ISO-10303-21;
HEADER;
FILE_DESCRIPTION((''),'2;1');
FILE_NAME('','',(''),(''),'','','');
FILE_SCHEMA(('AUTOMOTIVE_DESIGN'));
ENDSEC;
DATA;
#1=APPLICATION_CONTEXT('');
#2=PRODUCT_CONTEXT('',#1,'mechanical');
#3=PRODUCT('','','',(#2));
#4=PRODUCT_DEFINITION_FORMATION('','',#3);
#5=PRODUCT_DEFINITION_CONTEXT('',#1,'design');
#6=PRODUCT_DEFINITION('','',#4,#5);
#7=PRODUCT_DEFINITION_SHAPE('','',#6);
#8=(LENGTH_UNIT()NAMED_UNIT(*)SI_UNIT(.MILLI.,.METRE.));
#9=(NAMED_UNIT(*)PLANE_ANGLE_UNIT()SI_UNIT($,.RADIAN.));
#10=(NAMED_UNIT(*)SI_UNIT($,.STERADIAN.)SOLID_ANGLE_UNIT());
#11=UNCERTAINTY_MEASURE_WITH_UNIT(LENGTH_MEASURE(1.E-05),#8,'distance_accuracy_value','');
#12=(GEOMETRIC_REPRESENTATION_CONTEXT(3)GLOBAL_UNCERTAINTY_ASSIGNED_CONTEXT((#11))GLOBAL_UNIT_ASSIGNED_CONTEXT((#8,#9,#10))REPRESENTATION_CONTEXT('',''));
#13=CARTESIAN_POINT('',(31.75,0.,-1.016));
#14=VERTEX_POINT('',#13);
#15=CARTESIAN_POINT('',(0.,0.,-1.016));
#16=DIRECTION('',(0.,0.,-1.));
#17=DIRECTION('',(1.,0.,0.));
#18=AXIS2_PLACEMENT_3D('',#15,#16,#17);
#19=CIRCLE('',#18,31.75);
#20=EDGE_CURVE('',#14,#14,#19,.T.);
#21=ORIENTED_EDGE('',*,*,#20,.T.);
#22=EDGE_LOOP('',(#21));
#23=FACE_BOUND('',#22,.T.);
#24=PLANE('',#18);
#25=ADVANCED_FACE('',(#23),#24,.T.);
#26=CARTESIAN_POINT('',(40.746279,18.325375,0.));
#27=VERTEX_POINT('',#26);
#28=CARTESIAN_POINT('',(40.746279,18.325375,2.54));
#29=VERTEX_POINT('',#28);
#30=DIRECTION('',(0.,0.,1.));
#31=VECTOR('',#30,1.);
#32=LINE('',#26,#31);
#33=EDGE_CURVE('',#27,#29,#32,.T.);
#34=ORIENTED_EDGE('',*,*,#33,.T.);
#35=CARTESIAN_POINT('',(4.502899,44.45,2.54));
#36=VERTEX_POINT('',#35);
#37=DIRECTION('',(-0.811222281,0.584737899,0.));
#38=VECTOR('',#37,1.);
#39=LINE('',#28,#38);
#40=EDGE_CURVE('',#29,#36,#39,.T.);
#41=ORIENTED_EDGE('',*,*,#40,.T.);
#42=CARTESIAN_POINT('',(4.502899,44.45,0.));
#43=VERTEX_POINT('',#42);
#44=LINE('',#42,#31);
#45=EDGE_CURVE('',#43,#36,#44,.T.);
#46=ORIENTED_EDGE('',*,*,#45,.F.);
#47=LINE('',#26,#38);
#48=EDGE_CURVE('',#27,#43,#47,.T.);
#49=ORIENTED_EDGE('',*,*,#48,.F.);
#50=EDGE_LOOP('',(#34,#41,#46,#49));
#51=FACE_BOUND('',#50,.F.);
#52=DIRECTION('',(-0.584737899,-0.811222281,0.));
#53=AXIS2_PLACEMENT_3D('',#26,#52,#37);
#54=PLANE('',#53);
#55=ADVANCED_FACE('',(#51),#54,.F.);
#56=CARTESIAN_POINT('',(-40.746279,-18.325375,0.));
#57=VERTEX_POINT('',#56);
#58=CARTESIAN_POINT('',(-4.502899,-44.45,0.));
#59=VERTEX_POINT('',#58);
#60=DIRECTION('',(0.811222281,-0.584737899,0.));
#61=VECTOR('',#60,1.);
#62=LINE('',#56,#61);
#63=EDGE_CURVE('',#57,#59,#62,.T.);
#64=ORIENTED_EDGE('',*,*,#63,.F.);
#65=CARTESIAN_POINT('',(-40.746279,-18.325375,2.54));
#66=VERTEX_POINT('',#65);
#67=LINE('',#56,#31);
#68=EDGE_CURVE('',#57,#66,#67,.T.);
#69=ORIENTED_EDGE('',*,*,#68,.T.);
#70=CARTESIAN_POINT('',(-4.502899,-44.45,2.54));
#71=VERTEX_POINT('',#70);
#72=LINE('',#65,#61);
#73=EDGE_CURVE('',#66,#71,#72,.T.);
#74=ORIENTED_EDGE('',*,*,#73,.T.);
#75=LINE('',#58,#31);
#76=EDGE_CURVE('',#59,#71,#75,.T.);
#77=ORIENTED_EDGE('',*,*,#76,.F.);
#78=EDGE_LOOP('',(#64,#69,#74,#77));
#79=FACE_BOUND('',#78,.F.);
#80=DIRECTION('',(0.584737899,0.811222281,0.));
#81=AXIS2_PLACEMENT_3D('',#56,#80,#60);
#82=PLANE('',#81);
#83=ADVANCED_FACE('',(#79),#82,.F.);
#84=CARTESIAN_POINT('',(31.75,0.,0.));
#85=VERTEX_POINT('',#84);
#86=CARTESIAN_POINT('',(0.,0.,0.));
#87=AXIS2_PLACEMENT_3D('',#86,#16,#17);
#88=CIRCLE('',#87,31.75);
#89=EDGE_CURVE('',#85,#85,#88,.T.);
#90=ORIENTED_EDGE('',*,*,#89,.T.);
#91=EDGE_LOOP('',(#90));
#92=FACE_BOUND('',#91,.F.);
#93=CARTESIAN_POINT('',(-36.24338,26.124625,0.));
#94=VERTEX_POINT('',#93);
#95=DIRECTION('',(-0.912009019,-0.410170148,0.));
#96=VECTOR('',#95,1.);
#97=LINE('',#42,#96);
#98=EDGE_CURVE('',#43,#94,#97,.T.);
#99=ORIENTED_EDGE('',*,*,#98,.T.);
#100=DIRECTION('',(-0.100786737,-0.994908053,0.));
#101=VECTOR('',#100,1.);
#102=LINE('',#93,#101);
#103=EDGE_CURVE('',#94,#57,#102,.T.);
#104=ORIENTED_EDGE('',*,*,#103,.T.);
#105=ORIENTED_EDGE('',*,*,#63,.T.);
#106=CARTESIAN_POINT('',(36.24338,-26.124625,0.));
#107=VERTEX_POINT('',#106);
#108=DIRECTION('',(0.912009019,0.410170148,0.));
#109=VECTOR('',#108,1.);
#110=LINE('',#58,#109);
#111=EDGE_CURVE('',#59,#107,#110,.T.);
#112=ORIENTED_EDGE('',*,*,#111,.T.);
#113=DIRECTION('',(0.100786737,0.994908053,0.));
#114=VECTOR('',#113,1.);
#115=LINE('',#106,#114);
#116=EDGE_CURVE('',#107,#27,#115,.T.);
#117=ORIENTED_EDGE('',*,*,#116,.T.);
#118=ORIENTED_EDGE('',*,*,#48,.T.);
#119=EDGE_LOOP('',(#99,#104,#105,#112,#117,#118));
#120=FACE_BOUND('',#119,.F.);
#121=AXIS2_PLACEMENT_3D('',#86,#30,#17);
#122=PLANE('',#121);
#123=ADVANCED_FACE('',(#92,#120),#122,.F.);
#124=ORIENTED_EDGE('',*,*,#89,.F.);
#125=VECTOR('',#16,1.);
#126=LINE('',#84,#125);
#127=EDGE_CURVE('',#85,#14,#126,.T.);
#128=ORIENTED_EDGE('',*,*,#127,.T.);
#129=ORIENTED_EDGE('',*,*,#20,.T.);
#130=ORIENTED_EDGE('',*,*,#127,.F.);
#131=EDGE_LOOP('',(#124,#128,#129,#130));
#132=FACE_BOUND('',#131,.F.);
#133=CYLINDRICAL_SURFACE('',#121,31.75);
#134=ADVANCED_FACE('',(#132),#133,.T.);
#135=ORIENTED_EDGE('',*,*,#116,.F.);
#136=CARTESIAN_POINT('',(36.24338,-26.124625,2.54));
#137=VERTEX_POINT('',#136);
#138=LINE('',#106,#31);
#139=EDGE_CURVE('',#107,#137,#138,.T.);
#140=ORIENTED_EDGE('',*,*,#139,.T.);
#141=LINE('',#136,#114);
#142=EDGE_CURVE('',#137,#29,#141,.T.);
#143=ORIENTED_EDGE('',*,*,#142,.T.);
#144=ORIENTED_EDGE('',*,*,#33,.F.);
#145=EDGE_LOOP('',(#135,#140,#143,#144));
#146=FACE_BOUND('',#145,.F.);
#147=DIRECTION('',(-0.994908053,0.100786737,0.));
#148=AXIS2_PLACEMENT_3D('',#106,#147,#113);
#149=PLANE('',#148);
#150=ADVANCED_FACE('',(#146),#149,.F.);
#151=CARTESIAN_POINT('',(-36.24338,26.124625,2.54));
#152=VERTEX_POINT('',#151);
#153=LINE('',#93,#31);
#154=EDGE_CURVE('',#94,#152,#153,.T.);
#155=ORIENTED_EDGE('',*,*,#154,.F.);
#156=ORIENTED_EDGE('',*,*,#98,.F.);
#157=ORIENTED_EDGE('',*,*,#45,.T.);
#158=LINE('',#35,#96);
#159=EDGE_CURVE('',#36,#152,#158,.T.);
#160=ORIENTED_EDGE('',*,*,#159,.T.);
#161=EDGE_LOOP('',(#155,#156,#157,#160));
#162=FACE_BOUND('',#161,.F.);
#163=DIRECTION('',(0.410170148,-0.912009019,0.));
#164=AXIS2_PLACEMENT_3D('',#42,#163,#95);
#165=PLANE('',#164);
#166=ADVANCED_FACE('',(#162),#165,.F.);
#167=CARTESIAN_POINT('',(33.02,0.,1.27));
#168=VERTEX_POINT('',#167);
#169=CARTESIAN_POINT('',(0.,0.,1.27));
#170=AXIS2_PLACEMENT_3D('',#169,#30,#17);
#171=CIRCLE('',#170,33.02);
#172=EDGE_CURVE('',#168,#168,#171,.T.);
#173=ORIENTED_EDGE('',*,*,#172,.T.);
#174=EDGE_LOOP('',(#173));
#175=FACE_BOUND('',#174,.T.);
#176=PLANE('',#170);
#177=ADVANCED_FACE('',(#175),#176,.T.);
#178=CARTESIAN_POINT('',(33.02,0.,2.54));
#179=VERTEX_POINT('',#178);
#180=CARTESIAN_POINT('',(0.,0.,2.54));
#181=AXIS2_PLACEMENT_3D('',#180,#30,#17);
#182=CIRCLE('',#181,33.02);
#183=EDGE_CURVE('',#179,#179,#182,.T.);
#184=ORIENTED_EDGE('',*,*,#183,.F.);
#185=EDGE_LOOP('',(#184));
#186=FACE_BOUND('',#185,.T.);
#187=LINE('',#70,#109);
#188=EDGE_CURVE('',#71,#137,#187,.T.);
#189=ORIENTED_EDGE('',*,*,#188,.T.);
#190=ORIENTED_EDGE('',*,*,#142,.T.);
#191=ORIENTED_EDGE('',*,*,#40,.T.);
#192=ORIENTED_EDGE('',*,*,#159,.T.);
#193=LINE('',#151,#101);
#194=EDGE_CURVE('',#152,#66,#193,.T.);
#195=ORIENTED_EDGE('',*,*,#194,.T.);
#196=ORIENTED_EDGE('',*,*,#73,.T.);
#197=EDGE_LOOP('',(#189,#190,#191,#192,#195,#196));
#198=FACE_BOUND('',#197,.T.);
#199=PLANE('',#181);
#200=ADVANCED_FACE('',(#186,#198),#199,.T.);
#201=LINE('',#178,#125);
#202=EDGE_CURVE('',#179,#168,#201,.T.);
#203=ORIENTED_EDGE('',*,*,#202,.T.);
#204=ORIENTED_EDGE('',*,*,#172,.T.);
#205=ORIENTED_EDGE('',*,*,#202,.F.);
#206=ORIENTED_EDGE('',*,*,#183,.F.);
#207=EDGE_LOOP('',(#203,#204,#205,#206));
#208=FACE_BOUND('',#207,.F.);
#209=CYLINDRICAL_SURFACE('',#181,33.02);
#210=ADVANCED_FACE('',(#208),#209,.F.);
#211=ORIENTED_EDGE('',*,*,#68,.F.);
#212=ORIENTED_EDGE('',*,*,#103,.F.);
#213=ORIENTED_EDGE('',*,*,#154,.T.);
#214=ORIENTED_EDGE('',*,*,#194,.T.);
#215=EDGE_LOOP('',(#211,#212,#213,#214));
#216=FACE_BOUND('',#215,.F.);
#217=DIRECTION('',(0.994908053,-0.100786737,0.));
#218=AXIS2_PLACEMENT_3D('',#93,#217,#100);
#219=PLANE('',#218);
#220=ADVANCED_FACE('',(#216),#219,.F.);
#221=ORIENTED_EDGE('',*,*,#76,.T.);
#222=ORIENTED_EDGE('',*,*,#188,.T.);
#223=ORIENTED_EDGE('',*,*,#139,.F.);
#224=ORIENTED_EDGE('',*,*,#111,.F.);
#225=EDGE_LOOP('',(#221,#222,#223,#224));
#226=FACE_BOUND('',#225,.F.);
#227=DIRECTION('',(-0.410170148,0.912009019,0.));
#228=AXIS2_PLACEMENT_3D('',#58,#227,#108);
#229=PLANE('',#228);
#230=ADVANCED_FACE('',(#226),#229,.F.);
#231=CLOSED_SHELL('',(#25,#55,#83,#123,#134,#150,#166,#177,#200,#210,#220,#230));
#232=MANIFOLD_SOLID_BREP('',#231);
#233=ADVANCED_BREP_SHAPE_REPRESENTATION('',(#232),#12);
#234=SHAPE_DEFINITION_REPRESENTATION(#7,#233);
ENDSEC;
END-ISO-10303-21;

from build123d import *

# Parameters (mm, degrees)
F1_DEPTH = 2.54
F2_R     = 33.02
F3_DEPTH = 1.27
F4_R     = 31.75
F5_DEPTH = 1.016


with BuildPart() as f1:
    # F0 (on Top) → F1 (new body)
    with BuildSketch(Plane.XY):
        Polygon((-4.502899, -44.45), (36.24338, -26.124625), (40.746279, 18.325375), (4.502899, 44.45), (-36.24338, 26.124625), (-40.746279, -18.325375), align=None)
    extrude(amount=F1_DEPTH)

    # F2 (on face) → F3 (cut)
    with BuildSketch(Plane.XY.offset(2.54)):
        Circle(F2_R)
    extrude(amount=-F3_DEPTH, mode=Mode.SUBTRACT)

    # F4 (on face) → F5 (join)
    with BuildSketch(Plane(origin=(0, 0, 0), x_dir=(1, 0, 0), z_dir=(0, 0, -1))):
        Circle(F4_R)
    extrude(amount=F5_DEPTH)


solid = f1.part
